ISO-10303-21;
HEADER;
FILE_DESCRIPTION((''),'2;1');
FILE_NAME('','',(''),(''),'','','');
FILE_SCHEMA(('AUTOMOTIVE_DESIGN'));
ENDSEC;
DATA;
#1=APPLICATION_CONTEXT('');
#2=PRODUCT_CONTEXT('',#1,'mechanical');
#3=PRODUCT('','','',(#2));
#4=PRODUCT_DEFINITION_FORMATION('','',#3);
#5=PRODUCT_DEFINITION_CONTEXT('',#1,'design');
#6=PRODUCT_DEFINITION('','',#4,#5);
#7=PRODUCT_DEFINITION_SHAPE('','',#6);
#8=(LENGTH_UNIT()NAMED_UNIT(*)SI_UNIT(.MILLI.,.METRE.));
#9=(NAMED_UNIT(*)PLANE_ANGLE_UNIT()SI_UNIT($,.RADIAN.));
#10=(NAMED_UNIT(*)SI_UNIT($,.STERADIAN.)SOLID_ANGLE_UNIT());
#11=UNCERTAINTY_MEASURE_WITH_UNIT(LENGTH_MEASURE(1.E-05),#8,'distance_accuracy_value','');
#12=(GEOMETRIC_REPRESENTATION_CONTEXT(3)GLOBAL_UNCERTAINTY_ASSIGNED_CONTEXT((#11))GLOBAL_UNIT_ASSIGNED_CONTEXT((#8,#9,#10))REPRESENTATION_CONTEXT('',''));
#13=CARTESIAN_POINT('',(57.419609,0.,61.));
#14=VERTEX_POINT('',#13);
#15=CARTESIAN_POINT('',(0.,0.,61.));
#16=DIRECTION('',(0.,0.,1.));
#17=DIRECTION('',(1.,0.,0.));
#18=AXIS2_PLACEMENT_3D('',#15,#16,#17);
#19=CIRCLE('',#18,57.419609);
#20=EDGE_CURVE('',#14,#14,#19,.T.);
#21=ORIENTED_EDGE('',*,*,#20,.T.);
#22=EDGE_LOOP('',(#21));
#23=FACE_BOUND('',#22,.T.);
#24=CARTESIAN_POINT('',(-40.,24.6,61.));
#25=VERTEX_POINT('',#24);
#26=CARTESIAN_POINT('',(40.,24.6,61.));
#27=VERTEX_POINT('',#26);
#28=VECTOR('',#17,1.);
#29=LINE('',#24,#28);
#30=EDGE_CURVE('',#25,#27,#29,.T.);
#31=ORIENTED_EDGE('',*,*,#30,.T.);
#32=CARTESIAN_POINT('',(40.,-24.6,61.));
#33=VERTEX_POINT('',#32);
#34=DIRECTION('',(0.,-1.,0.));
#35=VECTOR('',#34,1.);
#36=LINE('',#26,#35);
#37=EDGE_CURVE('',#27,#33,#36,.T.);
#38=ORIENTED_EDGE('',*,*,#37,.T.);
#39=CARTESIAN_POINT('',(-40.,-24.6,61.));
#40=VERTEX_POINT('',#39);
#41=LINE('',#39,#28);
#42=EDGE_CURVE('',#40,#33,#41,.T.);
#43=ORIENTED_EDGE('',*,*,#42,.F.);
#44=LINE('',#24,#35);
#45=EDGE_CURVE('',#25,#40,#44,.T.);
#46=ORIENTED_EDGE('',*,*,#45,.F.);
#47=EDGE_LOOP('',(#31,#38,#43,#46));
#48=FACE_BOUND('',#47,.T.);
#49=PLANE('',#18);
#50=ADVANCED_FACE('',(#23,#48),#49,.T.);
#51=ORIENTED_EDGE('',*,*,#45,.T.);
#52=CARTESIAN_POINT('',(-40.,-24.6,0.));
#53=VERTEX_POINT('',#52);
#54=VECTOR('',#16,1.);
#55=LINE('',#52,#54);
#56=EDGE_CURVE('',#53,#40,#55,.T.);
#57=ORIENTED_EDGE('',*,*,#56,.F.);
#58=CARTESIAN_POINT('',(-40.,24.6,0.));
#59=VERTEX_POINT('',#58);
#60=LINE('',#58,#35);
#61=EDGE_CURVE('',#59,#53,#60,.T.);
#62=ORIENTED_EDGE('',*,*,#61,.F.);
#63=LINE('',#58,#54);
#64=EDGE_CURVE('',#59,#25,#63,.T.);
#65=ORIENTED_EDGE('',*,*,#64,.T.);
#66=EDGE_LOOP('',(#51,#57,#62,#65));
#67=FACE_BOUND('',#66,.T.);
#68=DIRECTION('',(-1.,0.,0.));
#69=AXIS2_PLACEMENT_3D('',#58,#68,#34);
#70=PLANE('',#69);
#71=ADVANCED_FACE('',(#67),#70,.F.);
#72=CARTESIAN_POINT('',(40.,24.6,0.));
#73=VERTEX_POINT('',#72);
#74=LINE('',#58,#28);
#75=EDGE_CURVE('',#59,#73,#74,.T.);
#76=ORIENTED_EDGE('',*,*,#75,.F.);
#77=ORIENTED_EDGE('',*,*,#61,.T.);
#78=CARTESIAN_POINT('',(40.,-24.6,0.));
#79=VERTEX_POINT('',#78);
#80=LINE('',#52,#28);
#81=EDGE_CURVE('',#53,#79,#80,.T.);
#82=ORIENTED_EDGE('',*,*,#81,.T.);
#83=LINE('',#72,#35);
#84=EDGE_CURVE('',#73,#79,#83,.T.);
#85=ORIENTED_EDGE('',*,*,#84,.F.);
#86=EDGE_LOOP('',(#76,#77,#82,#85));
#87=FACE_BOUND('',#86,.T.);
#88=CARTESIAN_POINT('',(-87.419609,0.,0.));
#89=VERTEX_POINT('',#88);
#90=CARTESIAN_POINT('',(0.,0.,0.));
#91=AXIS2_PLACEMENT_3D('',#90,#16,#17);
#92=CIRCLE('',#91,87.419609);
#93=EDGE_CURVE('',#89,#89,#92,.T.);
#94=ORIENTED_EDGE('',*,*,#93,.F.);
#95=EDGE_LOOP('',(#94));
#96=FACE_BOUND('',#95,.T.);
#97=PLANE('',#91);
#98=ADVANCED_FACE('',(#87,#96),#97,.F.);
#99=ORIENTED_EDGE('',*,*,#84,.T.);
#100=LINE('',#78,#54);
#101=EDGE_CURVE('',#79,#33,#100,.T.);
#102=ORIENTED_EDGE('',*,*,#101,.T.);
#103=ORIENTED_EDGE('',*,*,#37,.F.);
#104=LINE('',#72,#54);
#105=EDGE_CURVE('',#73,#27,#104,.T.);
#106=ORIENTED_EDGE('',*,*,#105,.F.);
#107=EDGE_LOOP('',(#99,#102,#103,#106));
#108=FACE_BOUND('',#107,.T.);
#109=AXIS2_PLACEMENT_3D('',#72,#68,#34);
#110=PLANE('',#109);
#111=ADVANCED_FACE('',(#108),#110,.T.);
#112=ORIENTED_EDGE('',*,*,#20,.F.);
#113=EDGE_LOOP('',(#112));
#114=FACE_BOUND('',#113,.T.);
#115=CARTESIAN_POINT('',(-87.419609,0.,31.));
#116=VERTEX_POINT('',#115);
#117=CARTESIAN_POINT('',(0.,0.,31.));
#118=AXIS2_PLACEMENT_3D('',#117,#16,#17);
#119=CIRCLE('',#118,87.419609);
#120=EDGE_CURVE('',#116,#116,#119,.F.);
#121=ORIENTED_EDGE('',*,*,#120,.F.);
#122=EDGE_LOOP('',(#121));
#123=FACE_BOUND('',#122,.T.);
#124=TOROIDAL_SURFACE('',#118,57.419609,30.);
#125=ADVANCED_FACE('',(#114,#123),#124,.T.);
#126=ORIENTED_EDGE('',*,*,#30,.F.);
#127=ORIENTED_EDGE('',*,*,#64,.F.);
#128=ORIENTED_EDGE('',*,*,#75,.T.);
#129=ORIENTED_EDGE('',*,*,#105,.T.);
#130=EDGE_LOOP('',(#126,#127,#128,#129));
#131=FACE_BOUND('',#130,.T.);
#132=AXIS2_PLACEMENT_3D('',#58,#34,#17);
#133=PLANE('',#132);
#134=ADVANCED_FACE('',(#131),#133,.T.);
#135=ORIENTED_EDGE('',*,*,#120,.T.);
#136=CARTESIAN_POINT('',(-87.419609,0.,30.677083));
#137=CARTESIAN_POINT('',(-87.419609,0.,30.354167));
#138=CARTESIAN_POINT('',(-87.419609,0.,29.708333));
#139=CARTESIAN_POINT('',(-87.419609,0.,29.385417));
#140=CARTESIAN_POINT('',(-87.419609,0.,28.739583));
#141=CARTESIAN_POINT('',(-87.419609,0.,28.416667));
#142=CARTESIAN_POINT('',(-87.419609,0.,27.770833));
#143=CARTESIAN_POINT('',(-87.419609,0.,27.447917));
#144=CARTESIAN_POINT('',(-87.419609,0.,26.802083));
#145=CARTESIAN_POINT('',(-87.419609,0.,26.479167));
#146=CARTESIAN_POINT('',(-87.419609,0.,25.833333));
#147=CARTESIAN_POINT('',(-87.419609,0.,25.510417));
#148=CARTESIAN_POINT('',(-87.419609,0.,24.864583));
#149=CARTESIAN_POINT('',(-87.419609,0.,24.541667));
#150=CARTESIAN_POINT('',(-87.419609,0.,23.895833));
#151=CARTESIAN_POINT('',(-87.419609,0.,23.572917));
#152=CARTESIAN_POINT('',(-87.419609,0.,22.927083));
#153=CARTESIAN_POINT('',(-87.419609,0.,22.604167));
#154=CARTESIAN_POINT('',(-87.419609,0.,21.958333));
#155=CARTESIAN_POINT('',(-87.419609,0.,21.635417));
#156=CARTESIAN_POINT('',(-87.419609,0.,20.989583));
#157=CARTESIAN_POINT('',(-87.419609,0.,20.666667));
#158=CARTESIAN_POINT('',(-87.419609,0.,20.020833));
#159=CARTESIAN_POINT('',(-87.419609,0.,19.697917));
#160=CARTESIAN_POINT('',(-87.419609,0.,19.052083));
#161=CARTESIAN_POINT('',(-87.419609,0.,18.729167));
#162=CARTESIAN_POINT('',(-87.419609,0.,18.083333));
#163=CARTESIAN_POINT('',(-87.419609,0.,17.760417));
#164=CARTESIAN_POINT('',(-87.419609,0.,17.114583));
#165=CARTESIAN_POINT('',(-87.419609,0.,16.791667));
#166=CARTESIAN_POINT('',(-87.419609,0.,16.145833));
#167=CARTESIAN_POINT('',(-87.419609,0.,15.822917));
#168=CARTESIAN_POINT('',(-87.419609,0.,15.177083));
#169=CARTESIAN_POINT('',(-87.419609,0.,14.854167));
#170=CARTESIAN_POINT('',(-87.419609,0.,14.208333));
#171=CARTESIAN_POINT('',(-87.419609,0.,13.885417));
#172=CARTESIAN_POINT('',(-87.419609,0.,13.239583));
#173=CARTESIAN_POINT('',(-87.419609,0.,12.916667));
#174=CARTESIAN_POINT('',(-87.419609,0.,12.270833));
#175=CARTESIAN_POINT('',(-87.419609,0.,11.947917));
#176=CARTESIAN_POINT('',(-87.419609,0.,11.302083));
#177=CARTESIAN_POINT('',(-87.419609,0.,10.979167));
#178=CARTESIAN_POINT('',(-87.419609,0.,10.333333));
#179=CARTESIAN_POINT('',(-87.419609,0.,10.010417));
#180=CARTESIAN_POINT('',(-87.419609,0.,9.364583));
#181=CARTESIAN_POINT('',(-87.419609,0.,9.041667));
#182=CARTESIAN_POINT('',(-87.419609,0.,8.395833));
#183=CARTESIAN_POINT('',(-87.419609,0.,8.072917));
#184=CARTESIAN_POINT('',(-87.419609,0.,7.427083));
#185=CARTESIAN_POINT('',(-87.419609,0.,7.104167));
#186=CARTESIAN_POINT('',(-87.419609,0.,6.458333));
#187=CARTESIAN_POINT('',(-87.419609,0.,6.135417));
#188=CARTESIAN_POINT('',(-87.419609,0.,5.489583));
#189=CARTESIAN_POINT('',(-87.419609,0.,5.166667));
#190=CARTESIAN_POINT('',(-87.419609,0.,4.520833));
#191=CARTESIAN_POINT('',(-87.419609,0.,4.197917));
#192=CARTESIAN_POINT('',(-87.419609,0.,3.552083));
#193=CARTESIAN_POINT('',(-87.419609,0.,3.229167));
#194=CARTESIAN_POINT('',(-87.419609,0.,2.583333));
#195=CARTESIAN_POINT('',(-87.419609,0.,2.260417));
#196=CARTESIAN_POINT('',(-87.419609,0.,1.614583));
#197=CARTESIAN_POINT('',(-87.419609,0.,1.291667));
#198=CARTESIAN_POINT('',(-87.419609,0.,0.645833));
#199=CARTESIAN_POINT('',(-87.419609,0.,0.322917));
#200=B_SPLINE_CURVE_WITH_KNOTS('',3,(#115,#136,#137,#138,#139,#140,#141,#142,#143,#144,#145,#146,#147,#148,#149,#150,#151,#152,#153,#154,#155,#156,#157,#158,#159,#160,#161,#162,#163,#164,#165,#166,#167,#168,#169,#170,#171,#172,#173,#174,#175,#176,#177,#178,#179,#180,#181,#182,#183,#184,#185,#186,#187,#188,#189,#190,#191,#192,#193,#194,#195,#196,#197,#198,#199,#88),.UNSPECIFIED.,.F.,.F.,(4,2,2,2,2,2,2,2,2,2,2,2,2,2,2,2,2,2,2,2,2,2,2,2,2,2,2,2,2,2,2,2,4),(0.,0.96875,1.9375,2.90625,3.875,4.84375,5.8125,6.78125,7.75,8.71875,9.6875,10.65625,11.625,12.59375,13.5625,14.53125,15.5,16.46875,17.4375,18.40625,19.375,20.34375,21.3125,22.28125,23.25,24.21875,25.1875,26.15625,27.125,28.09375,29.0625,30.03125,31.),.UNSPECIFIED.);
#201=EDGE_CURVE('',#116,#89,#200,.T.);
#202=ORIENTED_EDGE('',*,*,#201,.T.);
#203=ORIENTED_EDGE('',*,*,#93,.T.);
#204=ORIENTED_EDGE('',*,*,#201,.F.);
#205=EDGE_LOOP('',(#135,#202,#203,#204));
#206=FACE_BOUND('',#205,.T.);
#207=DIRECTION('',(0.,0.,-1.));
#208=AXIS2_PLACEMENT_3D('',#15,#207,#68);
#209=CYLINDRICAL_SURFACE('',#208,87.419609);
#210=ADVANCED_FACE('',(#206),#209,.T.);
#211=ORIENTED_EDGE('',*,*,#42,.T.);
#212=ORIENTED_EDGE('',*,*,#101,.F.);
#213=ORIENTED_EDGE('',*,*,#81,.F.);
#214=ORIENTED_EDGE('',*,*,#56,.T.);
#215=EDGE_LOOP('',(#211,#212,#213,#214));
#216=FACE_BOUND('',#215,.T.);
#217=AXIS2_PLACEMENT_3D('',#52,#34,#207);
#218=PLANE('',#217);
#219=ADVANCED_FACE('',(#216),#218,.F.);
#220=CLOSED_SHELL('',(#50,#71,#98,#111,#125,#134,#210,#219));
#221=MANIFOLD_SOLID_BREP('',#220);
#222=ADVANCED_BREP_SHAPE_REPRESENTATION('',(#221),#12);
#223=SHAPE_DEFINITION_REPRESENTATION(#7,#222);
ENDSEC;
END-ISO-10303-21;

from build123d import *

# Parameters (mm, degrees)
SKETCH1_R           = 87.419609077
BOSS_EXTRUDE1_DEPTH = 61
FILLET1_R           = 30
SKETCH2_W           = 80
SKETCH2_H           = 49.2
CUT_EXTRUDE1_DEPTH  = 61


with BuildPart() as part:
    # Sketch1 → Boss-Extrude1 (new body)
    with BuildSketch(Plane.XY):
        with Locations(Location((0, 0, 0), (0, 0, 180))):
            Circle(SKETCH1_R)
    extrude(amount=BOSS_EXTRUDE1_DEPTH)

    # Fillet1
    fillet1_edges = [part.edges().sort_by_distance(p)[0] for p in [
        (87.419609077, 0, 61),
    ]]
    fillet(fillet1_edges, radius=FILLET1_R)

    # Sketch2 → Cut-Extrude1 (cut)
    with BuildSketch(Plane.XY.offset(61)):
        Rectangle(SKETCH2_W, SKETCH2_H)
    extrude(amount=-CUT_EXTRUDE1_DEPTH, mode=Mode.SUBTRACT)


solid = part.part
